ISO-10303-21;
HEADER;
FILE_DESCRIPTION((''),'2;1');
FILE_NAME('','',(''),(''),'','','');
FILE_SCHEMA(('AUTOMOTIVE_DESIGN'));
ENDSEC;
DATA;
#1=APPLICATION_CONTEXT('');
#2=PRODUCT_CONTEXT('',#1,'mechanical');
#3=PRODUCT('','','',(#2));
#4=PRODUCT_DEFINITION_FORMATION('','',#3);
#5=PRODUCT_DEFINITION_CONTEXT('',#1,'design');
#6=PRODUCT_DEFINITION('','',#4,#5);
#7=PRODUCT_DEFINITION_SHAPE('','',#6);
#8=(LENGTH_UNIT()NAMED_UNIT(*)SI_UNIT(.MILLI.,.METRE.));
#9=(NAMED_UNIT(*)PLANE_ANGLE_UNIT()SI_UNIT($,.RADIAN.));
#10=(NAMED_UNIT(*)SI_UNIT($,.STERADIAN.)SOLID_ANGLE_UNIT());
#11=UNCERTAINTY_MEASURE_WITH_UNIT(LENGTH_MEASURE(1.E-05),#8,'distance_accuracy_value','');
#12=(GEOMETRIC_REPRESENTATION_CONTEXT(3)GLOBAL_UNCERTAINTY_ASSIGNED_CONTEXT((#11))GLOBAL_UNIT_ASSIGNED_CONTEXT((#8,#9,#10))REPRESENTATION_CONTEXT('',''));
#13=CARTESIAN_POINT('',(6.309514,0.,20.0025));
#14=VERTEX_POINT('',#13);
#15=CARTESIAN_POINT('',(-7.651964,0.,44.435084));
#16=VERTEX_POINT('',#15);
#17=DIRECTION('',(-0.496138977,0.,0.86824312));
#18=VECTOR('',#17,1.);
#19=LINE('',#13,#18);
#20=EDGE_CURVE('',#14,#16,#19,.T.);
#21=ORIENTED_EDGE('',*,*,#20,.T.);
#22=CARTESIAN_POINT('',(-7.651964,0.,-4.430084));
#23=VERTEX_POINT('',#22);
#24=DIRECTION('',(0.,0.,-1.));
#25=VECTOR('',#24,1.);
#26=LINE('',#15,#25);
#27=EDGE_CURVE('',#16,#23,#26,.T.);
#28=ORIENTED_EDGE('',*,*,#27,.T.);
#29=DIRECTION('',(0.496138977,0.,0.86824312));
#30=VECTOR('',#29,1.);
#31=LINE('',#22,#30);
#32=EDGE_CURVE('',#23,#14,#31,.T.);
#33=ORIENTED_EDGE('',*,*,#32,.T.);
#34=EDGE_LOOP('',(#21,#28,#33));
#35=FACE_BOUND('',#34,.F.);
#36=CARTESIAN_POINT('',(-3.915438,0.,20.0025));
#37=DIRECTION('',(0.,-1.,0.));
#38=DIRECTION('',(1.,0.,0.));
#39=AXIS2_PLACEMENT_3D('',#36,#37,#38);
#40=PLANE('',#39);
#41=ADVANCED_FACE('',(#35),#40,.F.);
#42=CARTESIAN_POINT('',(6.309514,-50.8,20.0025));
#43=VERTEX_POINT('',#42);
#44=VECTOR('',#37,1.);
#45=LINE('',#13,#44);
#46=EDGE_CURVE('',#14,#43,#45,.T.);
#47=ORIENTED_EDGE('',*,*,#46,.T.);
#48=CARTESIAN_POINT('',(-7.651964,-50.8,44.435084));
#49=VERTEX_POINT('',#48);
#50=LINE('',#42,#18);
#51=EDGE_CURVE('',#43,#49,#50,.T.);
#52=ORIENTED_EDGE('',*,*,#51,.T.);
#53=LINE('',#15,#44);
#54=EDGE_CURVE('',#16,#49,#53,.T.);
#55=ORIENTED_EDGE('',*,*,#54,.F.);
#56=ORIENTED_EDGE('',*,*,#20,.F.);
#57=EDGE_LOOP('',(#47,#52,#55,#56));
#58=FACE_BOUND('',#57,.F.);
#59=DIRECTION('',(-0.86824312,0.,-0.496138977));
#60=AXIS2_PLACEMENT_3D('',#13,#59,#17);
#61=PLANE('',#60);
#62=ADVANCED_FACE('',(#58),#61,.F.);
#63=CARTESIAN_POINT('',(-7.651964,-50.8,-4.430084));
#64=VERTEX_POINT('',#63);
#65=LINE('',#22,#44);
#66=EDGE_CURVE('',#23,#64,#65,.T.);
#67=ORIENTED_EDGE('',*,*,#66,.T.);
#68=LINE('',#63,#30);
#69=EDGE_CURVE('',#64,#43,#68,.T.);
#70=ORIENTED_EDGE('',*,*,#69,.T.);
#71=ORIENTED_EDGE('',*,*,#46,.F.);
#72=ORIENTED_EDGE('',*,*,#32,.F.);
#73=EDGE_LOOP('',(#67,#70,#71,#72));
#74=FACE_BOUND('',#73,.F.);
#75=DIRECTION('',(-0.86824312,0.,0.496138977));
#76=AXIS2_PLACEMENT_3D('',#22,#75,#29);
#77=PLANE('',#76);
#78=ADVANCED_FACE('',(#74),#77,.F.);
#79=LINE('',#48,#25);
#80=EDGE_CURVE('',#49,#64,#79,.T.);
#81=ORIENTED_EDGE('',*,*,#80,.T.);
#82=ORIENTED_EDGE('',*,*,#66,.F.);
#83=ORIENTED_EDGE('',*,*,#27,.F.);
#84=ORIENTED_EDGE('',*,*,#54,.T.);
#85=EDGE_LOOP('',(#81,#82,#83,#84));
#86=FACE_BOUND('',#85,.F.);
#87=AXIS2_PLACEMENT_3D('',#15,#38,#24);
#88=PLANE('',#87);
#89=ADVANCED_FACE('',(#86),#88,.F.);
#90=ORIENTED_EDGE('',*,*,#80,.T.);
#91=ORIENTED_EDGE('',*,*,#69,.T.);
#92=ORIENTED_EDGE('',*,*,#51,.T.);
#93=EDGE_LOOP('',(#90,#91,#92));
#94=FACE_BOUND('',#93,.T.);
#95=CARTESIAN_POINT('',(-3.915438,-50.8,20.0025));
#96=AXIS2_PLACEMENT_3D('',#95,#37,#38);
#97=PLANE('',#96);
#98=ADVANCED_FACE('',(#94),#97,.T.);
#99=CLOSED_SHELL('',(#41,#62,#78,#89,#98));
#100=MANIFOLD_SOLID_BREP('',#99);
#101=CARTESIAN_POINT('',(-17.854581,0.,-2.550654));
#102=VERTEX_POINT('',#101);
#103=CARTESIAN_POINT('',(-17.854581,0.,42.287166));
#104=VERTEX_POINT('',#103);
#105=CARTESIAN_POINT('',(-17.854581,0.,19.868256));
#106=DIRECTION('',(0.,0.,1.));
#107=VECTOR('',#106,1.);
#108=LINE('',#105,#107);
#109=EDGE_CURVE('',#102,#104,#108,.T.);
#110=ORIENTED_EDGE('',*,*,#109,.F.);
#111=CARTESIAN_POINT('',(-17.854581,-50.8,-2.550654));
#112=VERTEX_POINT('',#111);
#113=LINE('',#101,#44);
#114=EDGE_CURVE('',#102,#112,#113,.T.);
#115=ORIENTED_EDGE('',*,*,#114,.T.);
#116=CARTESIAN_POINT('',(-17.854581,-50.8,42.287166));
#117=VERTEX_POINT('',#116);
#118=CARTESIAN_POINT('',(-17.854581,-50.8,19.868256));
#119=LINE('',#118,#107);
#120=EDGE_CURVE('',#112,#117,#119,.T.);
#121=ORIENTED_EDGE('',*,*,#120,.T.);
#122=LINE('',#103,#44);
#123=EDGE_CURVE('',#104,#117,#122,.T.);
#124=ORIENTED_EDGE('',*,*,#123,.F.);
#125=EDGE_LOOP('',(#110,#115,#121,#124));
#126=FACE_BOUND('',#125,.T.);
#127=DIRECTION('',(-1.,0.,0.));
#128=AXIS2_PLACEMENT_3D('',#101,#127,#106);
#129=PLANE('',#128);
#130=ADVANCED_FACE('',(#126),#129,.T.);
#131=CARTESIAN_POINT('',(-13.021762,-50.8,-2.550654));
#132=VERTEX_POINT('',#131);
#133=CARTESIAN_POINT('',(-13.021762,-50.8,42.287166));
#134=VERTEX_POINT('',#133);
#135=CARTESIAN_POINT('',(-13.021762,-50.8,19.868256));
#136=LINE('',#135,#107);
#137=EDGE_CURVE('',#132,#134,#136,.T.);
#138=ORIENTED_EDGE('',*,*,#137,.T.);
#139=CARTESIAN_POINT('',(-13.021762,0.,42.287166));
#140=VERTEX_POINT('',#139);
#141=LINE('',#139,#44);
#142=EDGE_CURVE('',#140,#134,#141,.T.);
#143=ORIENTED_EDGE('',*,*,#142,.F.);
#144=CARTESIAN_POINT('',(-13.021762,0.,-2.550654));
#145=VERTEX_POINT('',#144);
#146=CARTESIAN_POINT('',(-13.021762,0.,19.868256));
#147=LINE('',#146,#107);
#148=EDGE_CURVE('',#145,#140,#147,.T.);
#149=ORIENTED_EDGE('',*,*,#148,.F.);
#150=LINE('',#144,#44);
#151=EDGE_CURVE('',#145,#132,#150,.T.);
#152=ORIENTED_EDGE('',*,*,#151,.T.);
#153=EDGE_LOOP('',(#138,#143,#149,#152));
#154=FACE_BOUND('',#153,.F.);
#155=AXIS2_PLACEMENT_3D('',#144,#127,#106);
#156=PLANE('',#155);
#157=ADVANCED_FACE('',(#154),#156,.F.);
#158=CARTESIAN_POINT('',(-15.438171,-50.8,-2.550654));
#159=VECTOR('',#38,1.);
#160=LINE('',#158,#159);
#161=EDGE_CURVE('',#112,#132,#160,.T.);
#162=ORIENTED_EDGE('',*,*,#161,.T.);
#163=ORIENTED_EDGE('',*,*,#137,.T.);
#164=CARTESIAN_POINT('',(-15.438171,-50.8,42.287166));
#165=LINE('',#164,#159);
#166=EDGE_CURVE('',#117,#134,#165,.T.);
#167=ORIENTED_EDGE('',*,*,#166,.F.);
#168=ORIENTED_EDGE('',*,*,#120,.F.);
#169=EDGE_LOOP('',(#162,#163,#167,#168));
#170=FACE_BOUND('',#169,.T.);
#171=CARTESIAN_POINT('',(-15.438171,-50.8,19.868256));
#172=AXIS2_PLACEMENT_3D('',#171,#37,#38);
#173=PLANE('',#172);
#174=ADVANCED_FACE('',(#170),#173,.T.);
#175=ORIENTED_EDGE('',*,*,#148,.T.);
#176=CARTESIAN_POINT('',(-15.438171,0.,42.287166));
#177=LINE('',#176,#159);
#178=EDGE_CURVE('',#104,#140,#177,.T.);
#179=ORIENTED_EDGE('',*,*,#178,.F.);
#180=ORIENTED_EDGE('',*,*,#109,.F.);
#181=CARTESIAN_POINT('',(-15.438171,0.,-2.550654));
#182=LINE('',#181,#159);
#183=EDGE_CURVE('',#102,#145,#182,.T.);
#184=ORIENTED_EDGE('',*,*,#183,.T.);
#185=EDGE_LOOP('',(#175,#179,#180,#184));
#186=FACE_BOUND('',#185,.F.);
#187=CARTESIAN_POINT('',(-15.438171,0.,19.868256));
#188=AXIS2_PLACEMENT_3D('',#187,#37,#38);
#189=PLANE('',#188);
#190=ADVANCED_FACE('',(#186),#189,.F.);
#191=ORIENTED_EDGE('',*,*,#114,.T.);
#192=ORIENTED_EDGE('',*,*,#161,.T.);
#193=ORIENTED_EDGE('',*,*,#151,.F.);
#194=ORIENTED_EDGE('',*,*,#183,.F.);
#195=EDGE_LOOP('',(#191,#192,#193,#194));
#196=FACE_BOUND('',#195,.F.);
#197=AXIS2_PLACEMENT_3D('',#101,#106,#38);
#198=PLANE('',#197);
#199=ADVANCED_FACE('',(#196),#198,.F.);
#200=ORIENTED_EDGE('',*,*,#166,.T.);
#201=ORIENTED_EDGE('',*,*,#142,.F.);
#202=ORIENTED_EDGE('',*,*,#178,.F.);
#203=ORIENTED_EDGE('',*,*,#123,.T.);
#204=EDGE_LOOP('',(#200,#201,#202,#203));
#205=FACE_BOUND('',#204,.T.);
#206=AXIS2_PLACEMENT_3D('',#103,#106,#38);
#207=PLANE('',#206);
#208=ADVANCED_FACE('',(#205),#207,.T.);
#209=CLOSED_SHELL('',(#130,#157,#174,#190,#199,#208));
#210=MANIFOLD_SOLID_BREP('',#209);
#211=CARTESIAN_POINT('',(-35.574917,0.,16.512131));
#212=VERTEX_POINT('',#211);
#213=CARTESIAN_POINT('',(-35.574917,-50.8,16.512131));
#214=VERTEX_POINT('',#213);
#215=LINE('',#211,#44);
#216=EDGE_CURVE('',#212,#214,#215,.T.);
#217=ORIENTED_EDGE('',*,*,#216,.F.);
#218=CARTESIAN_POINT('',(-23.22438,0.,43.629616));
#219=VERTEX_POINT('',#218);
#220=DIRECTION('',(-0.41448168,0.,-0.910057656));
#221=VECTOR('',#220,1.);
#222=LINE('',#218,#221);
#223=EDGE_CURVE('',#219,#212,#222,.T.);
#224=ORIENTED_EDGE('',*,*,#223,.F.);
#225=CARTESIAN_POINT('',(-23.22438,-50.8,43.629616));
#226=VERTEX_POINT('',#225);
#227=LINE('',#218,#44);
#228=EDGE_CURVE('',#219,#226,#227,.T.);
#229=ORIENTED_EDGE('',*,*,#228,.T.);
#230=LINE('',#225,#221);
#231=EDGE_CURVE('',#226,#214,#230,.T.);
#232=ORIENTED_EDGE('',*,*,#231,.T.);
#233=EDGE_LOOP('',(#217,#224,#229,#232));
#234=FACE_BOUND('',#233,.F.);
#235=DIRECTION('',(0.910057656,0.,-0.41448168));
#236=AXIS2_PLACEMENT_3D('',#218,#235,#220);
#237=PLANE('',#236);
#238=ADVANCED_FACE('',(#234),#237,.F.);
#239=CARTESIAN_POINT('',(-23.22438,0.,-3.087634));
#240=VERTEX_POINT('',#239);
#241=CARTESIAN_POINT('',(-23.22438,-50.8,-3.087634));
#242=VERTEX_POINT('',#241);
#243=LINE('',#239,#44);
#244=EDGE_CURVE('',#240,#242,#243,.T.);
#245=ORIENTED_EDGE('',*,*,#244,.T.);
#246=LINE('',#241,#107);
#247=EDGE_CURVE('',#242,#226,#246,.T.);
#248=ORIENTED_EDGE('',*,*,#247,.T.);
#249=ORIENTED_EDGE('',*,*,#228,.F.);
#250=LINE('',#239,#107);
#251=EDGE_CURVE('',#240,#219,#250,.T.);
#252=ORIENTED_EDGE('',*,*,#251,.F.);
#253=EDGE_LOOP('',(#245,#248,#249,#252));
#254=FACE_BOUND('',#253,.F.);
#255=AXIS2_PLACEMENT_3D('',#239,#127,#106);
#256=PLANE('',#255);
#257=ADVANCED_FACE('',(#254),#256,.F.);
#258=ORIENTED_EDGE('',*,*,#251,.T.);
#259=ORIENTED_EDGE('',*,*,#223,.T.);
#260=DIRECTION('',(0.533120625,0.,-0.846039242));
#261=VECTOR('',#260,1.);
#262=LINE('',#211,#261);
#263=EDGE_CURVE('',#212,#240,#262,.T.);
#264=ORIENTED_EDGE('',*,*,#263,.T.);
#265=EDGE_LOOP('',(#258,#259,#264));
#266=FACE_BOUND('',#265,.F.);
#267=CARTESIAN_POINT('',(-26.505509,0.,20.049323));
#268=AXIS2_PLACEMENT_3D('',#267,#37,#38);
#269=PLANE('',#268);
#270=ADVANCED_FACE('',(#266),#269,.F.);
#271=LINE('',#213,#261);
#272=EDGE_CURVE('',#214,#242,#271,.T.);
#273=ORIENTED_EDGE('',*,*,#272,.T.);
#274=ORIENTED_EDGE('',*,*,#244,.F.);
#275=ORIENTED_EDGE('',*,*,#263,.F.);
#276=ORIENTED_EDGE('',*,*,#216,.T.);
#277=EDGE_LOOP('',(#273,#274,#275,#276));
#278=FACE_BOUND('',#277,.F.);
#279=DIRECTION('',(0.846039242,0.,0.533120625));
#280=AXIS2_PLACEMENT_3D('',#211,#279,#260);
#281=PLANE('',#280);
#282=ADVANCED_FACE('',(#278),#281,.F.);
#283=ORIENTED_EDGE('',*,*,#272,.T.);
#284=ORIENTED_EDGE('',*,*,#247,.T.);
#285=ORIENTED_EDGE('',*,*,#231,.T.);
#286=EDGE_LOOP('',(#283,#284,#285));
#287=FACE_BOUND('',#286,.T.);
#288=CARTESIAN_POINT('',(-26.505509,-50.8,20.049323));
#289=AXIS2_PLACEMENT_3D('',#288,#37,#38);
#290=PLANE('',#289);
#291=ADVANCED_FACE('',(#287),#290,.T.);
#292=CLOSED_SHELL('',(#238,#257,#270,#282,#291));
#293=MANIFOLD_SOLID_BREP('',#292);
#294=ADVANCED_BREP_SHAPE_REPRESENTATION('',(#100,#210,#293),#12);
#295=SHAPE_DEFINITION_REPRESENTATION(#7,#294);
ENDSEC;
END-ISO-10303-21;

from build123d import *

# Parameters (mm, degrees)
F1_DEPTH = 50.8
F2_W     = 4.832819
F2_H     = 44.837821
F3_DEPTH = 50.8
F5_DEPTH = 50.8


with BuildPart() as f1:
    # F0 (on Front) → F1 (new body)
    with BuildSketch(Plane.XZ):
        Polygon((-23.22438, -3.087634), (-23.22438, 43.629616), (-35.574917, 16.512131), align=None)
    extrude(amount=F1_DEPTH)


with BuildPart() as f3:
    # F2 (on Front) → F3 (new body)
    with BuildSketch(Plane.XZ):
        with Locations((-15.438171, 19.868256)):
            Rectangle(F2_W, F2_H)
    extrude(amount=F3_DEPTH)


with BuildPart() as f5:
    # F4 (on Front) → F5 (new body)
    with BuildSketch(Plane.XZ):
        Polygon((6.309514, 20.0025), (-7.651964, 44.435084), (-7.651964, -4.430084), align=None)
    extrude(amount=F5_DEPTH)


solid = Compound([f1.part, f3.part, f5.part])
